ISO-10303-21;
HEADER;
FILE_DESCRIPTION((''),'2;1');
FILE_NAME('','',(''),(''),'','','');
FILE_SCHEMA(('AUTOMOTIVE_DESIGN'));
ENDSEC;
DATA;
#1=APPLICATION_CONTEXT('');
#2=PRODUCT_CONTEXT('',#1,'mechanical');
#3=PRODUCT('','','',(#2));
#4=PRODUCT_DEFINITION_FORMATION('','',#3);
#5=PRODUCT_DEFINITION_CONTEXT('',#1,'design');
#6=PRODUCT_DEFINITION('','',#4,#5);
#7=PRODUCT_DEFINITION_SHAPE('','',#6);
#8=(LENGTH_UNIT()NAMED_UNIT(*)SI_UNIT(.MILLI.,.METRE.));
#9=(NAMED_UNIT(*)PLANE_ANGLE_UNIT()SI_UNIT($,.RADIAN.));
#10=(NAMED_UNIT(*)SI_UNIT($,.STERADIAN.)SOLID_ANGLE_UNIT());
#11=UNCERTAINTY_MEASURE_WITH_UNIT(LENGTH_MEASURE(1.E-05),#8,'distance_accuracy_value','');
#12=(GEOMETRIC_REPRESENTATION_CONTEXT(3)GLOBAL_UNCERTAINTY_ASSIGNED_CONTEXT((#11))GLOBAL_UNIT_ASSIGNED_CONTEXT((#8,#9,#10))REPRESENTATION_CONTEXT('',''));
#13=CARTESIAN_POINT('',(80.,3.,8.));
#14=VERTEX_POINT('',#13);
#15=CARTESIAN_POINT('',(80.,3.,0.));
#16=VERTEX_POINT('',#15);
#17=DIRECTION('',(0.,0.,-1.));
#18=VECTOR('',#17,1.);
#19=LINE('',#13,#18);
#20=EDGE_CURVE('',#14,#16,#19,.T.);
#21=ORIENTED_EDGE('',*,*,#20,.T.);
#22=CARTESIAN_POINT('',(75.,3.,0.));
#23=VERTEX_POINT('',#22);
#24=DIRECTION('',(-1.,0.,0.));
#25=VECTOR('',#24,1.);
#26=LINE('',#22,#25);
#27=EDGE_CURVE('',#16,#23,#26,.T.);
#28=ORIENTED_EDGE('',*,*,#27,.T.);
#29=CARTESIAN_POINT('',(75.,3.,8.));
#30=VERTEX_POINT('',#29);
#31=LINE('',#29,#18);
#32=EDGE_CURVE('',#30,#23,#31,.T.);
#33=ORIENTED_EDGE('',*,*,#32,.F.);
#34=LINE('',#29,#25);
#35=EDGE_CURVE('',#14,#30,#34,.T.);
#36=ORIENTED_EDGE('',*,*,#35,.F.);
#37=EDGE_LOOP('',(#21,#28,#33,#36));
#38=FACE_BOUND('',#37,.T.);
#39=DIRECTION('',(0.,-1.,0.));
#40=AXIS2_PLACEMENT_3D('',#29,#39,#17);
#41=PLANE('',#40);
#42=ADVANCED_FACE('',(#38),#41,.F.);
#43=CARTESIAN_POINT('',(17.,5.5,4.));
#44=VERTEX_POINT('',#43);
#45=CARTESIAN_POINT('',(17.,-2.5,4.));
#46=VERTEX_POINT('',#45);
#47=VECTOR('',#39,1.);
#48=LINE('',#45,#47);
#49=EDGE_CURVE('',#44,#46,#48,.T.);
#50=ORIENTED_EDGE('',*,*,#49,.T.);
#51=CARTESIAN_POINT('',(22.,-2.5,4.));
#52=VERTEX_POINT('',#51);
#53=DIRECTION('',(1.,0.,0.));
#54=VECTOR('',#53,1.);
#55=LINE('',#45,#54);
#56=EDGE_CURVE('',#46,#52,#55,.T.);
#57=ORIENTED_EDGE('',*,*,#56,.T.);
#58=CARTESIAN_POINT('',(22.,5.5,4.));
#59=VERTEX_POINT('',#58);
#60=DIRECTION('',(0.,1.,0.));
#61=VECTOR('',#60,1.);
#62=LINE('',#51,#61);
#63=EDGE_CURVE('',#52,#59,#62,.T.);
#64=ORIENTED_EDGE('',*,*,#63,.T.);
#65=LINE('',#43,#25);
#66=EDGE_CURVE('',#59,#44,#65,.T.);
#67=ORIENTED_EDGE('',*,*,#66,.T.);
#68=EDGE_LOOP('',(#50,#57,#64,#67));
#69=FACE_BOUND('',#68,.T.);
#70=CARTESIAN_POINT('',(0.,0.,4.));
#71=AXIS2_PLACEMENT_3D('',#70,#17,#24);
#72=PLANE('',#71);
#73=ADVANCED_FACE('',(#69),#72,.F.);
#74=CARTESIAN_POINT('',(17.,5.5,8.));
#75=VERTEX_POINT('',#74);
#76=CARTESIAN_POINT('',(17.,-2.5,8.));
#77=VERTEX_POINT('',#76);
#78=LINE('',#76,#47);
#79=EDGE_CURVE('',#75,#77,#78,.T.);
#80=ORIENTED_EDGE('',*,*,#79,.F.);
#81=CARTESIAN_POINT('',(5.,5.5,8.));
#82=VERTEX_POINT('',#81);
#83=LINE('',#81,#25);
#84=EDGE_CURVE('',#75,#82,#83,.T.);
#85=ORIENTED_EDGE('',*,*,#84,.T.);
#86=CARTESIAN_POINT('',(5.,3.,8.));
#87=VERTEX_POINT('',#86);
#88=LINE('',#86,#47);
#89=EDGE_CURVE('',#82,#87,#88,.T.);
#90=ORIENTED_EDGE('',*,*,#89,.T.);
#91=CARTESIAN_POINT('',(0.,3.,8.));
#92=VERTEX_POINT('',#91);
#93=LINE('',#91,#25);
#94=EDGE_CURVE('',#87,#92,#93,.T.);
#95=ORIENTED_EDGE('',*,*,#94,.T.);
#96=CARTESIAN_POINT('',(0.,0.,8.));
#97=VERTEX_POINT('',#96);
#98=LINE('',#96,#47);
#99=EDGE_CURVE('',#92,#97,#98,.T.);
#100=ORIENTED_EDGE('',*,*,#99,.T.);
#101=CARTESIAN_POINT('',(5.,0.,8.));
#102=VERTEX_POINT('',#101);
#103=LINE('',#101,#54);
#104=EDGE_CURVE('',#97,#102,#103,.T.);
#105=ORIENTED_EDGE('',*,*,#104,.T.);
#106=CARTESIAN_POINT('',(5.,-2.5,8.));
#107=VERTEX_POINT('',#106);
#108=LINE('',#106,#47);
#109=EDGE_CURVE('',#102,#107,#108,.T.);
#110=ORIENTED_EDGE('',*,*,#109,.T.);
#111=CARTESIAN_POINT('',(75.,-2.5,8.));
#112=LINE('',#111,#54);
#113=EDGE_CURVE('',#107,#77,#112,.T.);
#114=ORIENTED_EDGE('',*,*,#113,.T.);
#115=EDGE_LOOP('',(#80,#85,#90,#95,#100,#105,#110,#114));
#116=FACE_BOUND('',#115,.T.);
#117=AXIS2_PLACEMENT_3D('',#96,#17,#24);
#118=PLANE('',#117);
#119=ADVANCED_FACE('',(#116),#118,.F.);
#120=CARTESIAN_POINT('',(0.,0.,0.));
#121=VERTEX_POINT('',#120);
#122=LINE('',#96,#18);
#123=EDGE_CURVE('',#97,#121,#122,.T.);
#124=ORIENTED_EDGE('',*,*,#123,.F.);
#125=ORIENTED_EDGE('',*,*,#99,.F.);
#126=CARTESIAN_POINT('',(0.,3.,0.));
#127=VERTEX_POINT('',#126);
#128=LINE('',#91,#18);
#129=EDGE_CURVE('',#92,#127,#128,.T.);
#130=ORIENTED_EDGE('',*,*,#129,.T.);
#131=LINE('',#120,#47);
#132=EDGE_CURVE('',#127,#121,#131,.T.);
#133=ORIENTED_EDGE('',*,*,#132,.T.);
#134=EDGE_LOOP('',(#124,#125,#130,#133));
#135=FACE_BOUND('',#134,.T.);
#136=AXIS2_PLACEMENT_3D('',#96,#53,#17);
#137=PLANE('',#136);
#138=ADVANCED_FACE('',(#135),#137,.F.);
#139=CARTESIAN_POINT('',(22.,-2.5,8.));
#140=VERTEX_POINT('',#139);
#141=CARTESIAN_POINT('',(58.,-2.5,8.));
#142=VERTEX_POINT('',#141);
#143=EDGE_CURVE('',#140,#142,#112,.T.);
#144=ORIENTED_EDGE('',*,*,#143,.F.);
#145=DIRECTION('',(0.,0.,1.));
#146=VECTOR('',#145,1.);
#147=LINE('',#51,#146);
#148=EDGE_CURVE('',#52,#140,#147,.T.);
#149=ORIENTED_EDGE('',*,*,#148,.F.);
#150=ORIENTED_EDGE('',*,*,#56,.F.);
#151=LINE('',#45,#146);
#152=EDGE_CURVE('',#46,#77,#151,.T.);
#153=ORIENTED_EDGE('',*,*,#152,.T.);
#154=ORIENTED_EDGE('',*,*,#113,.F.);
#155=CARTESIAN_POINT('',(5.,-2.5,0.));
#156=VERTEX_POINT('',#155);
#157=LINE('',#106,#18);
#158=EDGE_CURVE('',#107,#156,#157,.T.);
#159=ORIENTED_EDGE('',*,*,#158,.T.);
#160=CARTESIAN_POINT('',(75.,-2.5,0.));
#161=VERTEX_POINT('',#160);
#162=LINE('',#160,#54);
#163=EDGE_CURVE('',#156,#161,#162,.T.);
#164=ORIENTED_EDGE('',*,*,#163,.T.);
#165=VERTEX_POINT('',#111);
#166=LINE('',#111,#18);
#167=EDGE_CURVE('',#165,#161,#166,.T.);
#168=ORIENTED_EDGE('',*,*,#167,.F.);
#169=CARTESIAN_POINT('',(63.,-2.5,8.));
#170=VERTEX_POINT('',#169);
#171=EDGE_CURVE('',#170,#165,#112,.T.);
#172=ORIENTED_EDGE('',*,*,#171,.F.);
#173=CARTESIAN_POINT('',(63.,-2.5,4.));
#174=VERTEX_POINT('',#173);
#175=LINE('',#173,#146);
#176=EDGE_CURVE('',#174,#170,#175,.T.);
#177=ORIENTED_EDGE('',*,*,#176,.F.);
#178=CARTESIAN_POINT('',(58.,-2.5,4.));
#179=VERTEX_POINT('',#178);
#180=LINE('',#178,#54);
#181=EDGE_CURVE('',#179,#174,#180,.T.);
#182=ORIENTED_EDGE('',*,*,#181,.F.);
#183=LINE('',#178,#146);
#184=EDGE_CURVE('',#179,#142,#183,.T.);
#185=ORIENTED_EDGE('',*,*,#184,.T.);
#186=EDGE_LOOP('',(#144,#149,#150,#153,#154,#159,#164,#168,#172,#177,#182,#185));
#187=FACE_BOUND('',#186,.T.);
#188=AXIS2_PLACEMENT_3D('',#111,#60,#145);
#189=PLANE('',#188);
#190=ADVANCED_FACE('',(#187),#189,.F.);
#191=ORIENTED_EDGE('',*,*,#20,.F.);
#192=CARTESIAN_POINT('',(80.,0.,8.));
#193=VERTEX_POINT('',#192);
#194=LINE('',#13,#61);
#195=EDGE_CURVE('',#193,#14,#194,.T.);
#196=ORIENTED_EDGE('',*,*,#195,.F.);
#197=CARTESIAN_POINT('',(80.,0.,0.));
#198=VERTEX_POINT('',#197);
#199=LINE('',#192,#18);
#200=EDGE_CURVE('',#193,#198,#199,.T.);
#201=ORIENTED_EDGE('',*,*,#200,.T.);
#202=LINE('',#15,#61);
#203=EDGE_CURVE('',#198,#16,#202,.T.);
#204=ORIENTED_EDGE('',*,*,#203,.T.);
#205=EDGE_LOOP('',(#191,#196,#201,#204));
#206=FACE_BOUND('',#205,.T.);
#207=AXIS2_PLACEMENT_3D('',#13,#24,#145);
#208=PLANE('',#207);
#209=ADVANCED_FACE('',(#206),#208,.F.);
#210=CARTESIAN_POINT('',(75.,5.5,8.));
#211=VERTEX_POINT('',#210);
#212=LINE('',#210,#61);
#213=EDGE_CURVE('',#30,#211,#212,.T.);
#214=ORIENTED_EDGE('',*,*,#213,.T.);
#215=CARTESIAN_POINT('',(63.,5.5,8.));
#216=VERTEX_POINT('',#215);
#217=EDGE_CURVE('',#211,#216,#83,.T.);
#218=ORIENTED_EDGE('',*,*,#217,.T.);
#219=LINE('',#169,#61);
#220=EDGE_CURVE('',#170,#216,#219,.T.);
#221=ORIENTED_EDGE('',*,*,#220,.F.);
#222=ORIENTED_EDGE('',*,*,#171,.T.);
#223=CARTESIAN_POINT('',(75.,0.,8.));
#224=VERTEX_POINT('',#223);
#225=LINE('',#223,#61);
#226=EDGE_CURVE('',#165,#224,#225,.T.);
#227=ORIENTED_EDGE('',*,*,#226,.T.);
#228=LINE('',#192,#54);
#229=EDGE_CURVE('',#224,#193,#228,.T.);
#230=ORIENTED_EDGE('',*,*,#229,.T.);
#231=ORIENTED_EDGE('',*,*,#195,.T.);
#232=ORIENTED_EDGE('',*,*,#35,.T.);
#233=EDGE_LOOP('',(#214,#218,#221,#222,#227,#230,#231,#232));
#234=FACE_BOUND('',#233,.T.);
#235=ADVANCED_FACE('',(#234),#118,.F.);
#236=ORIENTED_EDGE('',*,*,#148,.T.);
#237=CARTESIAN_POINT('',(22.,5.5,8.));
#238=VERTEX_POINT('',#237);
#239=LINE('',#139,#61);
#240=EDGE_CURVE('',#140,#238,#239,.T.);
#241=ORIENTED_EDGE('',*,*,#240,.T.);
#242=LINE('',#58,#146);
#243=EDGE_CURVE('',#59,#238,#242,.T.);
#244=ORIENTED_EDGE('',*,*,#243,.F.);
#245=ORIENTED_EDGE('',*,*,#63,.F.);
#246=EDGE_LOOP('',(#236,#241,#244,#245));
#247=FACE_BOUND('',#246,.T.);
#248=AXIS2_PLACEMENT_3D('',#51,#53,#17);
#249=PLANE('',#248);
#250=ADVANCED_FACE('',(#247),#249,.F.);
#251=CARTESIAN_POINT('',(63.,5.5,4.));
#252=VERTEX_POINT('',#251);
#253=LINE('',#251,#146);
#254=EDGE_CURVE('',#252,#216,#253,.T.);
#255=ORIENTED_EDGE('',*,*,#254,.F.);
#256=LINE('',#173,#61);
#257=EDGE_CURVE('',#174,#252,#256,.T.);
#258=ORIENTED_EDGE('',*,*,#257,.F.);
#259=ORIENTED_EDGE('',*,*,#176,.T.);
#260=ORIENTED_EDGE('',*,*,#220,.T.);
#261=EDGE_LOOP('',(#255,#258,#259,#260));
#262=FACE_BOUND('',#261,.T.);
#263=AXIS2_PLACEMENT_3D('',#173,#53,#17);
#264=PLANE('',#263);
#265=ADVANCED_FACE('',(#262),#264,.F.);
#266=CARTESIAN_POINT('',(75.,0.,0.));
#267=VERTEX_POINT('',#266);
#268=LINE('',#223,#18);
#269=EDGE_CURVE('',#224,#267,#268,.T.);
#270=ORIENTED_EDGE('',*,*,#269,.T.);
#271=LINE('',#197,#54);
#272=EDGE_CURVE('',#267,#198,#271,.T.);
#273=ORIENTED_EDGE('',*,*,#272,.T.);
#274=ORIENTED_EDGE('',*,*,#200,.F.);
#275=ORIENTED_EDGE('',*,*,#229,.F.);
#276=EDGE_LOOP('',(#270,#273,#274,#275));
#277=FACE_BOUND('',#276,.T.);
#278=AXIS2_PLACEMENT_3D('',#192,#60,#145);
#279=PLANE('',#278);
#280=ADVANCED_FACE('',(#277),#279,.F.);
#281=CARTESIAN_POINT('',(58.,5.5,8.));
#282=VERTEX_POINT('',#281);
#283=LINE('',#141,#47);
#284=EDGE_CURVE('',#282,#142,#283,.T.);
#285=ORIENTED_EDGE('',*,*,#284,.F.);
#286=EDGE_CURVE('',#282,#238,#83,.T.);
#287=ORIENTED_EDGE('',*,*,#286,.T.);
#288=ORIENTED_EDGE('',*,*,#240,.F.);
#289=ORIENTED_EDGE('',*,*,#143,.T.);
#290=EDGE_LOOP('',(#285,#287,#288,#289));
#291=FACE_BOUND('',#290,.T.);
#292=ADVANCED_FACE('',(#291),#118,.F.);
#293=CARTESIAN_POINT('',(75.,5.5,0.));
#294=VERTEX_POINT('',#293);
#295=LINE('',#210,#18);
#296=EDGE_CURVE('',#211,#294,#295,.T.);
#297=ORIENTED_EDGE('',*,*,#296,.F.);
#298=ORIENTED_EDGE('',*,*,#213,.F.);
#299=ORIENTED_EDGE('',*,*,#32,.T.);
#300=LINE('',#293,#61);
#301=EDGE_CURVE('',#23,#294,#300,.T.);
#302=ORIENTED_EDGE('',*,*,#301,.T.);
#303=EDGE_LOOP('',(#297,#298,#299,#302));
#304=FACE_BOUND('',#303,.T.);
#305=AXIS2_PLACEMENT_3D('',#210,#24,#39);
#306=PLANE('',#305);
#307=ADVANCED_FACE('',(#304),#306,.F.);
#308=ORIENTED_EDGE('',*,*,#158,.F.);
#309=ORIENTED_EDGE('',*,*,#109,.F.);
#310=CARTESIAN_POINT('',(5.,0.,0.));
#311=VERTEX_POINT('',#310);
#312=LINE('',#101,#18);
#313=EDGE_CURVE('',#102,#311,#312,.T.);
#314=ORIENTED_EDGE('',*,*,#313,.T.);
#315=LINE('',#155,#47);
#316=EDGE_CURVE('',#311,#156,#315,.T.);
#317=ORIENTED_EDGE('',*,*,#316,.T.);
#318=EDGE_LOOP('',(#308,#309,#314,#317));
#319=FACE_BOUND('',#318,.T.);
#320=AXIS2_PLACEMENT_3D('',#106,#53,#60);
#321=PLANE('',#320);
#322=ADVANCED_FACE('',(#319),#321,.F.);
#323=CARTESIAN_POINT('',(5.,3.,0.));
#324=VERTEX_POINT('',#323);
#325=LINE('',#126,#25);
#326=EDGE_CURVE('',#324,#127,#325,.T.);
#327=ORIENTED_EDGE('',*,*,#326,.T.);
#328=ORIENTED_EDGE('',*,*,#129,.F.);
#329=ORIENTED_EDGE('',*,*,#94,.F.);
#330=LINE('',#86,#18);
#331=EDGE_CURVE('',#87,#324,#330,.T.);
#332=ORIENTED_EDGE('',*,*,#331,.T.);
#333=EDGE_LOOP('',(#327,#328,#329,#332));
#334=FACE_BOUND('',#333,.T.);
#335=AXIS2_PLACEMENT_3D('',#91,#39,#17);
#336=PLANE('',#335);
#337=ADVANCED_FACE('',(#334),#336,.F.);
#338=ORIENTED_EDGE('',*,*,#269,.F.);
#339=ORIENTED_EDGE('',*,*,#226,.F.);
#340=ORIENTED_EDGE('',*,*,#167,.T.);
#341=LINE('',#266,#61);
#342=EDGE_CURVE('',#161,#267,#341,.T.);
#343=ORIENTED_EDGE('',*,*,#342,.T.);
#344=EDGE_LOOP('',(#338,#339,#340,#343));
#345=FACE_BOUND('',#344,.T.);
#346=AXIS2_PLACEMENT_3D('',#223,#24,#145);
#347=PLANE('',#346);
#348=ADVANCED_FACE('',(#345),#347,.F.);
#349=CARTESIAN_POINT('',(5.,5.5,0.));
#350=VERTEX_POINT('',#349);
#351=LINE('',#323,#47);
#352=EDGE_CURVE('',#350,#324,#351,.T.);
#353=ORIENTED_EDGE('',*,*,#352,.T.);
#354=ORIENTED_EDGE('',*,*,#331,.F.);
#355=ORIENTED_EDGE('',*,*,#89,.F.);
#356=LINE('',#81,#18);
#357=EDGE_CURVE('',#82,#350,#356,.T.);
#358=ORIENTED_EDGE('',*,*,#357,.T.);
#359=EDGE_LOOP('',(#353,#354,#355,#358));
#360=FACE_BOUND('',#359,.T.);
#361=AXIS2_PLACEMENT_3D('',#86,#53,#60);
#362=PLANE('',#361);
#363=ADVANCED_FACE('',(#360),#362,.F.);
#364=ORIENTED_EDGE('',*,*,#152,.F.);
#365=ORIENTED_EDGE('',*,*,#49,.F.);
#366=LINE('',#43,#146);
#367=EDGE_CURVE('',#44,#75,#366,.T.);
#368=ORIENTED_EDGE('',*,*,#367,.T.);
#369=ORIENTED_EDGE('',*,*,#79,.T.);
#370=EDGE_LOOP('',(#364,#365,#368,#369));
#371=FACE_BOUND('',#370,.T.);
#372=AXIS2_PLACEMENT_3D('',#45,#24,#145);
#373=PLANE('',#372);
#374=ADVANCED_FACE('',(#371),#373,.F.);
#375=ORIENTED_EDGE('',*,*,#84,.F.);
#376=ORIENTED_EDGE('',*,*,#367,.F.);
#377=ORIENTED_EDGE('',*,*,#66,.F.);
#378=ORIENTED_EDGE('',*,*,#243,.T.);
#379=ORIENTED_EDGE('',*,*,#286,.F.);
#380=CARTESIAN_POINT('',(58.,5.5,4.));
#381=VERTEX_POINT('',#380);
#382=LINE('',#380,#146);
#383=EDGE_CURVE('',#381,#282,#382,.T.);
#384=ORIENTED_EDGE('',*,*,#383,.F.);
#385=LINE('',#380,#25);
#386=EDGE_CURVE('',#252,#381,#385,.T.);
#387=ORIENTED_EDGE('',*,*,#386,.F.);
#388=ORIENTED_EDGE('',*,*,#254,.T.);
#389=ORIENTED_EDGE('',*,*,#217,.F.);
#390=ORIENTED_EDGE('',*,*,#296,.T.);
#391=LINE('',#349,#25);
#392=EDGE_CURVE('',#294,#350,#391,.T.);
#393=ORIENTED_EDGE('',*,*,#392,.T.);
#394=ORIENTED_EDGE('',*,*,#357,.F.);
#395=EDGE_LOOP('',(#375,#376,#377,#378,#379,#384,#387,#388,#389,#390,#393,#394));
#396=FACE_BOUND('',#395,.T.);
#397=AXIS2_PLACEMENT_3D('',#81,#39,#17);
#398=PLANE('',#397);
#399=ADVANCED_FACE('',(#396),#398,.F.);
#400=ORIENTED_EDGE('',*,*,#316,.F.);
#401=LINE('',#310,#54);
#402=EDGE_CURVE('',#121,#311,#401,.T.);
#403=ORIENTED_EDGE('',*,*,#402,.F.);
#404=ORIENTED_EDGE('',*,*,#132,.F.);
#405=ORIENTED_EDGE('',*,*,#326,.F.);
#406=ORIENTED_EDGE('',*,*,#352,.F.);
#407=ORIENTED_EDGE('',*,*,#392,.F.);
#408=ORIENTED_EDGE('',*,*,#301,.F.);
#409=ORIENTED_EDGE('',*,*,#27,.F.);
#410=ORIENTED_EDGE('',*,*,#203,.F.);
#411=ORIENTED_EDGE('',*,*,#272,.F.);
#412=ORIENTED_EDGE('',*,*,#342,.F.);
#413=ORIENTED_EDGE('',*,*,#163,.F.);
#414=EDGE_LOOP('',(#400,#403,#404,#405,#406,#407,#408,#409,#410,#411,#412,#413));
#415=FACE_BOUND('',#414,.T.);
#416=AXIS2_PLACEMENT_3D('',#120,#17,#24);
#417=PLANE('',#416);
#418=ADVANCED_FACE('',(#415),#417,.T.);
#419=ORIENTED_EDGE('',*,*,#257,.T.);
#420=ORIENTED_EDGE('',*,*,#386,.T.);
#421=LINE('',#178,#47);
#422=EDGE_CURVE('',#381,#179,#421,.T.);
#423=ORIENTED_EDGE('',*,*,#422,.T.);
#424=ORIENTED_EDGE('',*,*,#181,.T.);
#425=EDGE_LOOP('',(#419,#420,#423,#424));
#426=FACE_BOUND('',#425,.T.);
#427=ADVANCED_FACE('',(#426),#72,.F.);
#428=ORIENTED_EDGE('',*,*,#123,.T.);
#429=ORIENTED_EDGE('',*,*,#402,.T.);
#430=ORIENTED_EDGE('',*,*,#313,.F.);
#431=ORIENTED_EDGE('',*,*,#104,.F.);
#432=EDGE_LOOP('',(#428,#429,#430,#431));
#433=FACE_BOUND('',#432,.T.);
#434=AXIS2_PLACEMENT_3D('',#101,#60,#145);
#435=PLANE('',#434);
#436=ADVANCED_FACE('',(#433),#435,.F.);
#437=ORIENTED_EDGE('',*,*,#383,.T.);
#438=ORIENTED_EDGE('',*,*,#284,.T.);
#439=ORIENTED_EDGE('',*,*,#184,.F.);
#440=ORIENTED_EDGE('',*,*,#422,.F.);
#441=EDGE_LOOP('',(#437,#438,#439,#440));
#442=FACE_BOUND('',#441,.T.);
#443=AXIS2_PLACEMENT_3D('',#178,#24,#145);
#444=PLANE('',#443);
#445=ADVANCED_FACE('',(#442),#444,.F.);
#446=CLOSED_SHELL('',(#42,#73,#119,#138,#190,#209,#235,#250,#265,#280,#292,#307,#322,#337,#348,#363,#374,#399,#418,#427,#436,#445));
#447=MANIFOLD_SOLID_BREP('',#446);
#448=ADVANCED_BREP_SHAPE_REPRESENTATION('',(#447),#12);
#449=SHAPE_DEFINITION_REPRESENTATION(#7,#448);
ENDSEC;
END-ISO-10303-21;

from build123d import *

# Parameters (mm, degrees)
BOSS_EXTRUDE1_DEPTH = 8
SKETCH2_W           = 5
SKETCH2_H           = 8
CUT_EXTRUDE1_DEPTH  = 4


with BuildPart() as part:
    # Sketch1 → Boss-Extrude1 (new body)
    with BuildSketch(Plane.XY):
        Polygon((0, 0), (0, 3), (5, 3), (5, 5.5), (75, 5.5), (75, 3), (80, 3), (80, 0), (75, 0), (75, -2.5), (5, -2.5), (5, 0), align=None)
    extrude(amount=BOSS_EXTRUDE1_DEPTH)

    # Sketch2 → Cut-Extrude1 (cut)
    with BuildSketch(Plane.XY.offset(8)):
        with Locations((19.5, 1.5)):
            Rectangle(SKETCH2_W, SKETCH2_H)
        with Locations((60.5, 1.5)):
            Rectangle(SKETCH2_W, SKETCH2_H)
    extrude(amount=-CUT_EXTRUDE1_DEPTH, mode=Mode.SUBTRACT)


solid = part.part
